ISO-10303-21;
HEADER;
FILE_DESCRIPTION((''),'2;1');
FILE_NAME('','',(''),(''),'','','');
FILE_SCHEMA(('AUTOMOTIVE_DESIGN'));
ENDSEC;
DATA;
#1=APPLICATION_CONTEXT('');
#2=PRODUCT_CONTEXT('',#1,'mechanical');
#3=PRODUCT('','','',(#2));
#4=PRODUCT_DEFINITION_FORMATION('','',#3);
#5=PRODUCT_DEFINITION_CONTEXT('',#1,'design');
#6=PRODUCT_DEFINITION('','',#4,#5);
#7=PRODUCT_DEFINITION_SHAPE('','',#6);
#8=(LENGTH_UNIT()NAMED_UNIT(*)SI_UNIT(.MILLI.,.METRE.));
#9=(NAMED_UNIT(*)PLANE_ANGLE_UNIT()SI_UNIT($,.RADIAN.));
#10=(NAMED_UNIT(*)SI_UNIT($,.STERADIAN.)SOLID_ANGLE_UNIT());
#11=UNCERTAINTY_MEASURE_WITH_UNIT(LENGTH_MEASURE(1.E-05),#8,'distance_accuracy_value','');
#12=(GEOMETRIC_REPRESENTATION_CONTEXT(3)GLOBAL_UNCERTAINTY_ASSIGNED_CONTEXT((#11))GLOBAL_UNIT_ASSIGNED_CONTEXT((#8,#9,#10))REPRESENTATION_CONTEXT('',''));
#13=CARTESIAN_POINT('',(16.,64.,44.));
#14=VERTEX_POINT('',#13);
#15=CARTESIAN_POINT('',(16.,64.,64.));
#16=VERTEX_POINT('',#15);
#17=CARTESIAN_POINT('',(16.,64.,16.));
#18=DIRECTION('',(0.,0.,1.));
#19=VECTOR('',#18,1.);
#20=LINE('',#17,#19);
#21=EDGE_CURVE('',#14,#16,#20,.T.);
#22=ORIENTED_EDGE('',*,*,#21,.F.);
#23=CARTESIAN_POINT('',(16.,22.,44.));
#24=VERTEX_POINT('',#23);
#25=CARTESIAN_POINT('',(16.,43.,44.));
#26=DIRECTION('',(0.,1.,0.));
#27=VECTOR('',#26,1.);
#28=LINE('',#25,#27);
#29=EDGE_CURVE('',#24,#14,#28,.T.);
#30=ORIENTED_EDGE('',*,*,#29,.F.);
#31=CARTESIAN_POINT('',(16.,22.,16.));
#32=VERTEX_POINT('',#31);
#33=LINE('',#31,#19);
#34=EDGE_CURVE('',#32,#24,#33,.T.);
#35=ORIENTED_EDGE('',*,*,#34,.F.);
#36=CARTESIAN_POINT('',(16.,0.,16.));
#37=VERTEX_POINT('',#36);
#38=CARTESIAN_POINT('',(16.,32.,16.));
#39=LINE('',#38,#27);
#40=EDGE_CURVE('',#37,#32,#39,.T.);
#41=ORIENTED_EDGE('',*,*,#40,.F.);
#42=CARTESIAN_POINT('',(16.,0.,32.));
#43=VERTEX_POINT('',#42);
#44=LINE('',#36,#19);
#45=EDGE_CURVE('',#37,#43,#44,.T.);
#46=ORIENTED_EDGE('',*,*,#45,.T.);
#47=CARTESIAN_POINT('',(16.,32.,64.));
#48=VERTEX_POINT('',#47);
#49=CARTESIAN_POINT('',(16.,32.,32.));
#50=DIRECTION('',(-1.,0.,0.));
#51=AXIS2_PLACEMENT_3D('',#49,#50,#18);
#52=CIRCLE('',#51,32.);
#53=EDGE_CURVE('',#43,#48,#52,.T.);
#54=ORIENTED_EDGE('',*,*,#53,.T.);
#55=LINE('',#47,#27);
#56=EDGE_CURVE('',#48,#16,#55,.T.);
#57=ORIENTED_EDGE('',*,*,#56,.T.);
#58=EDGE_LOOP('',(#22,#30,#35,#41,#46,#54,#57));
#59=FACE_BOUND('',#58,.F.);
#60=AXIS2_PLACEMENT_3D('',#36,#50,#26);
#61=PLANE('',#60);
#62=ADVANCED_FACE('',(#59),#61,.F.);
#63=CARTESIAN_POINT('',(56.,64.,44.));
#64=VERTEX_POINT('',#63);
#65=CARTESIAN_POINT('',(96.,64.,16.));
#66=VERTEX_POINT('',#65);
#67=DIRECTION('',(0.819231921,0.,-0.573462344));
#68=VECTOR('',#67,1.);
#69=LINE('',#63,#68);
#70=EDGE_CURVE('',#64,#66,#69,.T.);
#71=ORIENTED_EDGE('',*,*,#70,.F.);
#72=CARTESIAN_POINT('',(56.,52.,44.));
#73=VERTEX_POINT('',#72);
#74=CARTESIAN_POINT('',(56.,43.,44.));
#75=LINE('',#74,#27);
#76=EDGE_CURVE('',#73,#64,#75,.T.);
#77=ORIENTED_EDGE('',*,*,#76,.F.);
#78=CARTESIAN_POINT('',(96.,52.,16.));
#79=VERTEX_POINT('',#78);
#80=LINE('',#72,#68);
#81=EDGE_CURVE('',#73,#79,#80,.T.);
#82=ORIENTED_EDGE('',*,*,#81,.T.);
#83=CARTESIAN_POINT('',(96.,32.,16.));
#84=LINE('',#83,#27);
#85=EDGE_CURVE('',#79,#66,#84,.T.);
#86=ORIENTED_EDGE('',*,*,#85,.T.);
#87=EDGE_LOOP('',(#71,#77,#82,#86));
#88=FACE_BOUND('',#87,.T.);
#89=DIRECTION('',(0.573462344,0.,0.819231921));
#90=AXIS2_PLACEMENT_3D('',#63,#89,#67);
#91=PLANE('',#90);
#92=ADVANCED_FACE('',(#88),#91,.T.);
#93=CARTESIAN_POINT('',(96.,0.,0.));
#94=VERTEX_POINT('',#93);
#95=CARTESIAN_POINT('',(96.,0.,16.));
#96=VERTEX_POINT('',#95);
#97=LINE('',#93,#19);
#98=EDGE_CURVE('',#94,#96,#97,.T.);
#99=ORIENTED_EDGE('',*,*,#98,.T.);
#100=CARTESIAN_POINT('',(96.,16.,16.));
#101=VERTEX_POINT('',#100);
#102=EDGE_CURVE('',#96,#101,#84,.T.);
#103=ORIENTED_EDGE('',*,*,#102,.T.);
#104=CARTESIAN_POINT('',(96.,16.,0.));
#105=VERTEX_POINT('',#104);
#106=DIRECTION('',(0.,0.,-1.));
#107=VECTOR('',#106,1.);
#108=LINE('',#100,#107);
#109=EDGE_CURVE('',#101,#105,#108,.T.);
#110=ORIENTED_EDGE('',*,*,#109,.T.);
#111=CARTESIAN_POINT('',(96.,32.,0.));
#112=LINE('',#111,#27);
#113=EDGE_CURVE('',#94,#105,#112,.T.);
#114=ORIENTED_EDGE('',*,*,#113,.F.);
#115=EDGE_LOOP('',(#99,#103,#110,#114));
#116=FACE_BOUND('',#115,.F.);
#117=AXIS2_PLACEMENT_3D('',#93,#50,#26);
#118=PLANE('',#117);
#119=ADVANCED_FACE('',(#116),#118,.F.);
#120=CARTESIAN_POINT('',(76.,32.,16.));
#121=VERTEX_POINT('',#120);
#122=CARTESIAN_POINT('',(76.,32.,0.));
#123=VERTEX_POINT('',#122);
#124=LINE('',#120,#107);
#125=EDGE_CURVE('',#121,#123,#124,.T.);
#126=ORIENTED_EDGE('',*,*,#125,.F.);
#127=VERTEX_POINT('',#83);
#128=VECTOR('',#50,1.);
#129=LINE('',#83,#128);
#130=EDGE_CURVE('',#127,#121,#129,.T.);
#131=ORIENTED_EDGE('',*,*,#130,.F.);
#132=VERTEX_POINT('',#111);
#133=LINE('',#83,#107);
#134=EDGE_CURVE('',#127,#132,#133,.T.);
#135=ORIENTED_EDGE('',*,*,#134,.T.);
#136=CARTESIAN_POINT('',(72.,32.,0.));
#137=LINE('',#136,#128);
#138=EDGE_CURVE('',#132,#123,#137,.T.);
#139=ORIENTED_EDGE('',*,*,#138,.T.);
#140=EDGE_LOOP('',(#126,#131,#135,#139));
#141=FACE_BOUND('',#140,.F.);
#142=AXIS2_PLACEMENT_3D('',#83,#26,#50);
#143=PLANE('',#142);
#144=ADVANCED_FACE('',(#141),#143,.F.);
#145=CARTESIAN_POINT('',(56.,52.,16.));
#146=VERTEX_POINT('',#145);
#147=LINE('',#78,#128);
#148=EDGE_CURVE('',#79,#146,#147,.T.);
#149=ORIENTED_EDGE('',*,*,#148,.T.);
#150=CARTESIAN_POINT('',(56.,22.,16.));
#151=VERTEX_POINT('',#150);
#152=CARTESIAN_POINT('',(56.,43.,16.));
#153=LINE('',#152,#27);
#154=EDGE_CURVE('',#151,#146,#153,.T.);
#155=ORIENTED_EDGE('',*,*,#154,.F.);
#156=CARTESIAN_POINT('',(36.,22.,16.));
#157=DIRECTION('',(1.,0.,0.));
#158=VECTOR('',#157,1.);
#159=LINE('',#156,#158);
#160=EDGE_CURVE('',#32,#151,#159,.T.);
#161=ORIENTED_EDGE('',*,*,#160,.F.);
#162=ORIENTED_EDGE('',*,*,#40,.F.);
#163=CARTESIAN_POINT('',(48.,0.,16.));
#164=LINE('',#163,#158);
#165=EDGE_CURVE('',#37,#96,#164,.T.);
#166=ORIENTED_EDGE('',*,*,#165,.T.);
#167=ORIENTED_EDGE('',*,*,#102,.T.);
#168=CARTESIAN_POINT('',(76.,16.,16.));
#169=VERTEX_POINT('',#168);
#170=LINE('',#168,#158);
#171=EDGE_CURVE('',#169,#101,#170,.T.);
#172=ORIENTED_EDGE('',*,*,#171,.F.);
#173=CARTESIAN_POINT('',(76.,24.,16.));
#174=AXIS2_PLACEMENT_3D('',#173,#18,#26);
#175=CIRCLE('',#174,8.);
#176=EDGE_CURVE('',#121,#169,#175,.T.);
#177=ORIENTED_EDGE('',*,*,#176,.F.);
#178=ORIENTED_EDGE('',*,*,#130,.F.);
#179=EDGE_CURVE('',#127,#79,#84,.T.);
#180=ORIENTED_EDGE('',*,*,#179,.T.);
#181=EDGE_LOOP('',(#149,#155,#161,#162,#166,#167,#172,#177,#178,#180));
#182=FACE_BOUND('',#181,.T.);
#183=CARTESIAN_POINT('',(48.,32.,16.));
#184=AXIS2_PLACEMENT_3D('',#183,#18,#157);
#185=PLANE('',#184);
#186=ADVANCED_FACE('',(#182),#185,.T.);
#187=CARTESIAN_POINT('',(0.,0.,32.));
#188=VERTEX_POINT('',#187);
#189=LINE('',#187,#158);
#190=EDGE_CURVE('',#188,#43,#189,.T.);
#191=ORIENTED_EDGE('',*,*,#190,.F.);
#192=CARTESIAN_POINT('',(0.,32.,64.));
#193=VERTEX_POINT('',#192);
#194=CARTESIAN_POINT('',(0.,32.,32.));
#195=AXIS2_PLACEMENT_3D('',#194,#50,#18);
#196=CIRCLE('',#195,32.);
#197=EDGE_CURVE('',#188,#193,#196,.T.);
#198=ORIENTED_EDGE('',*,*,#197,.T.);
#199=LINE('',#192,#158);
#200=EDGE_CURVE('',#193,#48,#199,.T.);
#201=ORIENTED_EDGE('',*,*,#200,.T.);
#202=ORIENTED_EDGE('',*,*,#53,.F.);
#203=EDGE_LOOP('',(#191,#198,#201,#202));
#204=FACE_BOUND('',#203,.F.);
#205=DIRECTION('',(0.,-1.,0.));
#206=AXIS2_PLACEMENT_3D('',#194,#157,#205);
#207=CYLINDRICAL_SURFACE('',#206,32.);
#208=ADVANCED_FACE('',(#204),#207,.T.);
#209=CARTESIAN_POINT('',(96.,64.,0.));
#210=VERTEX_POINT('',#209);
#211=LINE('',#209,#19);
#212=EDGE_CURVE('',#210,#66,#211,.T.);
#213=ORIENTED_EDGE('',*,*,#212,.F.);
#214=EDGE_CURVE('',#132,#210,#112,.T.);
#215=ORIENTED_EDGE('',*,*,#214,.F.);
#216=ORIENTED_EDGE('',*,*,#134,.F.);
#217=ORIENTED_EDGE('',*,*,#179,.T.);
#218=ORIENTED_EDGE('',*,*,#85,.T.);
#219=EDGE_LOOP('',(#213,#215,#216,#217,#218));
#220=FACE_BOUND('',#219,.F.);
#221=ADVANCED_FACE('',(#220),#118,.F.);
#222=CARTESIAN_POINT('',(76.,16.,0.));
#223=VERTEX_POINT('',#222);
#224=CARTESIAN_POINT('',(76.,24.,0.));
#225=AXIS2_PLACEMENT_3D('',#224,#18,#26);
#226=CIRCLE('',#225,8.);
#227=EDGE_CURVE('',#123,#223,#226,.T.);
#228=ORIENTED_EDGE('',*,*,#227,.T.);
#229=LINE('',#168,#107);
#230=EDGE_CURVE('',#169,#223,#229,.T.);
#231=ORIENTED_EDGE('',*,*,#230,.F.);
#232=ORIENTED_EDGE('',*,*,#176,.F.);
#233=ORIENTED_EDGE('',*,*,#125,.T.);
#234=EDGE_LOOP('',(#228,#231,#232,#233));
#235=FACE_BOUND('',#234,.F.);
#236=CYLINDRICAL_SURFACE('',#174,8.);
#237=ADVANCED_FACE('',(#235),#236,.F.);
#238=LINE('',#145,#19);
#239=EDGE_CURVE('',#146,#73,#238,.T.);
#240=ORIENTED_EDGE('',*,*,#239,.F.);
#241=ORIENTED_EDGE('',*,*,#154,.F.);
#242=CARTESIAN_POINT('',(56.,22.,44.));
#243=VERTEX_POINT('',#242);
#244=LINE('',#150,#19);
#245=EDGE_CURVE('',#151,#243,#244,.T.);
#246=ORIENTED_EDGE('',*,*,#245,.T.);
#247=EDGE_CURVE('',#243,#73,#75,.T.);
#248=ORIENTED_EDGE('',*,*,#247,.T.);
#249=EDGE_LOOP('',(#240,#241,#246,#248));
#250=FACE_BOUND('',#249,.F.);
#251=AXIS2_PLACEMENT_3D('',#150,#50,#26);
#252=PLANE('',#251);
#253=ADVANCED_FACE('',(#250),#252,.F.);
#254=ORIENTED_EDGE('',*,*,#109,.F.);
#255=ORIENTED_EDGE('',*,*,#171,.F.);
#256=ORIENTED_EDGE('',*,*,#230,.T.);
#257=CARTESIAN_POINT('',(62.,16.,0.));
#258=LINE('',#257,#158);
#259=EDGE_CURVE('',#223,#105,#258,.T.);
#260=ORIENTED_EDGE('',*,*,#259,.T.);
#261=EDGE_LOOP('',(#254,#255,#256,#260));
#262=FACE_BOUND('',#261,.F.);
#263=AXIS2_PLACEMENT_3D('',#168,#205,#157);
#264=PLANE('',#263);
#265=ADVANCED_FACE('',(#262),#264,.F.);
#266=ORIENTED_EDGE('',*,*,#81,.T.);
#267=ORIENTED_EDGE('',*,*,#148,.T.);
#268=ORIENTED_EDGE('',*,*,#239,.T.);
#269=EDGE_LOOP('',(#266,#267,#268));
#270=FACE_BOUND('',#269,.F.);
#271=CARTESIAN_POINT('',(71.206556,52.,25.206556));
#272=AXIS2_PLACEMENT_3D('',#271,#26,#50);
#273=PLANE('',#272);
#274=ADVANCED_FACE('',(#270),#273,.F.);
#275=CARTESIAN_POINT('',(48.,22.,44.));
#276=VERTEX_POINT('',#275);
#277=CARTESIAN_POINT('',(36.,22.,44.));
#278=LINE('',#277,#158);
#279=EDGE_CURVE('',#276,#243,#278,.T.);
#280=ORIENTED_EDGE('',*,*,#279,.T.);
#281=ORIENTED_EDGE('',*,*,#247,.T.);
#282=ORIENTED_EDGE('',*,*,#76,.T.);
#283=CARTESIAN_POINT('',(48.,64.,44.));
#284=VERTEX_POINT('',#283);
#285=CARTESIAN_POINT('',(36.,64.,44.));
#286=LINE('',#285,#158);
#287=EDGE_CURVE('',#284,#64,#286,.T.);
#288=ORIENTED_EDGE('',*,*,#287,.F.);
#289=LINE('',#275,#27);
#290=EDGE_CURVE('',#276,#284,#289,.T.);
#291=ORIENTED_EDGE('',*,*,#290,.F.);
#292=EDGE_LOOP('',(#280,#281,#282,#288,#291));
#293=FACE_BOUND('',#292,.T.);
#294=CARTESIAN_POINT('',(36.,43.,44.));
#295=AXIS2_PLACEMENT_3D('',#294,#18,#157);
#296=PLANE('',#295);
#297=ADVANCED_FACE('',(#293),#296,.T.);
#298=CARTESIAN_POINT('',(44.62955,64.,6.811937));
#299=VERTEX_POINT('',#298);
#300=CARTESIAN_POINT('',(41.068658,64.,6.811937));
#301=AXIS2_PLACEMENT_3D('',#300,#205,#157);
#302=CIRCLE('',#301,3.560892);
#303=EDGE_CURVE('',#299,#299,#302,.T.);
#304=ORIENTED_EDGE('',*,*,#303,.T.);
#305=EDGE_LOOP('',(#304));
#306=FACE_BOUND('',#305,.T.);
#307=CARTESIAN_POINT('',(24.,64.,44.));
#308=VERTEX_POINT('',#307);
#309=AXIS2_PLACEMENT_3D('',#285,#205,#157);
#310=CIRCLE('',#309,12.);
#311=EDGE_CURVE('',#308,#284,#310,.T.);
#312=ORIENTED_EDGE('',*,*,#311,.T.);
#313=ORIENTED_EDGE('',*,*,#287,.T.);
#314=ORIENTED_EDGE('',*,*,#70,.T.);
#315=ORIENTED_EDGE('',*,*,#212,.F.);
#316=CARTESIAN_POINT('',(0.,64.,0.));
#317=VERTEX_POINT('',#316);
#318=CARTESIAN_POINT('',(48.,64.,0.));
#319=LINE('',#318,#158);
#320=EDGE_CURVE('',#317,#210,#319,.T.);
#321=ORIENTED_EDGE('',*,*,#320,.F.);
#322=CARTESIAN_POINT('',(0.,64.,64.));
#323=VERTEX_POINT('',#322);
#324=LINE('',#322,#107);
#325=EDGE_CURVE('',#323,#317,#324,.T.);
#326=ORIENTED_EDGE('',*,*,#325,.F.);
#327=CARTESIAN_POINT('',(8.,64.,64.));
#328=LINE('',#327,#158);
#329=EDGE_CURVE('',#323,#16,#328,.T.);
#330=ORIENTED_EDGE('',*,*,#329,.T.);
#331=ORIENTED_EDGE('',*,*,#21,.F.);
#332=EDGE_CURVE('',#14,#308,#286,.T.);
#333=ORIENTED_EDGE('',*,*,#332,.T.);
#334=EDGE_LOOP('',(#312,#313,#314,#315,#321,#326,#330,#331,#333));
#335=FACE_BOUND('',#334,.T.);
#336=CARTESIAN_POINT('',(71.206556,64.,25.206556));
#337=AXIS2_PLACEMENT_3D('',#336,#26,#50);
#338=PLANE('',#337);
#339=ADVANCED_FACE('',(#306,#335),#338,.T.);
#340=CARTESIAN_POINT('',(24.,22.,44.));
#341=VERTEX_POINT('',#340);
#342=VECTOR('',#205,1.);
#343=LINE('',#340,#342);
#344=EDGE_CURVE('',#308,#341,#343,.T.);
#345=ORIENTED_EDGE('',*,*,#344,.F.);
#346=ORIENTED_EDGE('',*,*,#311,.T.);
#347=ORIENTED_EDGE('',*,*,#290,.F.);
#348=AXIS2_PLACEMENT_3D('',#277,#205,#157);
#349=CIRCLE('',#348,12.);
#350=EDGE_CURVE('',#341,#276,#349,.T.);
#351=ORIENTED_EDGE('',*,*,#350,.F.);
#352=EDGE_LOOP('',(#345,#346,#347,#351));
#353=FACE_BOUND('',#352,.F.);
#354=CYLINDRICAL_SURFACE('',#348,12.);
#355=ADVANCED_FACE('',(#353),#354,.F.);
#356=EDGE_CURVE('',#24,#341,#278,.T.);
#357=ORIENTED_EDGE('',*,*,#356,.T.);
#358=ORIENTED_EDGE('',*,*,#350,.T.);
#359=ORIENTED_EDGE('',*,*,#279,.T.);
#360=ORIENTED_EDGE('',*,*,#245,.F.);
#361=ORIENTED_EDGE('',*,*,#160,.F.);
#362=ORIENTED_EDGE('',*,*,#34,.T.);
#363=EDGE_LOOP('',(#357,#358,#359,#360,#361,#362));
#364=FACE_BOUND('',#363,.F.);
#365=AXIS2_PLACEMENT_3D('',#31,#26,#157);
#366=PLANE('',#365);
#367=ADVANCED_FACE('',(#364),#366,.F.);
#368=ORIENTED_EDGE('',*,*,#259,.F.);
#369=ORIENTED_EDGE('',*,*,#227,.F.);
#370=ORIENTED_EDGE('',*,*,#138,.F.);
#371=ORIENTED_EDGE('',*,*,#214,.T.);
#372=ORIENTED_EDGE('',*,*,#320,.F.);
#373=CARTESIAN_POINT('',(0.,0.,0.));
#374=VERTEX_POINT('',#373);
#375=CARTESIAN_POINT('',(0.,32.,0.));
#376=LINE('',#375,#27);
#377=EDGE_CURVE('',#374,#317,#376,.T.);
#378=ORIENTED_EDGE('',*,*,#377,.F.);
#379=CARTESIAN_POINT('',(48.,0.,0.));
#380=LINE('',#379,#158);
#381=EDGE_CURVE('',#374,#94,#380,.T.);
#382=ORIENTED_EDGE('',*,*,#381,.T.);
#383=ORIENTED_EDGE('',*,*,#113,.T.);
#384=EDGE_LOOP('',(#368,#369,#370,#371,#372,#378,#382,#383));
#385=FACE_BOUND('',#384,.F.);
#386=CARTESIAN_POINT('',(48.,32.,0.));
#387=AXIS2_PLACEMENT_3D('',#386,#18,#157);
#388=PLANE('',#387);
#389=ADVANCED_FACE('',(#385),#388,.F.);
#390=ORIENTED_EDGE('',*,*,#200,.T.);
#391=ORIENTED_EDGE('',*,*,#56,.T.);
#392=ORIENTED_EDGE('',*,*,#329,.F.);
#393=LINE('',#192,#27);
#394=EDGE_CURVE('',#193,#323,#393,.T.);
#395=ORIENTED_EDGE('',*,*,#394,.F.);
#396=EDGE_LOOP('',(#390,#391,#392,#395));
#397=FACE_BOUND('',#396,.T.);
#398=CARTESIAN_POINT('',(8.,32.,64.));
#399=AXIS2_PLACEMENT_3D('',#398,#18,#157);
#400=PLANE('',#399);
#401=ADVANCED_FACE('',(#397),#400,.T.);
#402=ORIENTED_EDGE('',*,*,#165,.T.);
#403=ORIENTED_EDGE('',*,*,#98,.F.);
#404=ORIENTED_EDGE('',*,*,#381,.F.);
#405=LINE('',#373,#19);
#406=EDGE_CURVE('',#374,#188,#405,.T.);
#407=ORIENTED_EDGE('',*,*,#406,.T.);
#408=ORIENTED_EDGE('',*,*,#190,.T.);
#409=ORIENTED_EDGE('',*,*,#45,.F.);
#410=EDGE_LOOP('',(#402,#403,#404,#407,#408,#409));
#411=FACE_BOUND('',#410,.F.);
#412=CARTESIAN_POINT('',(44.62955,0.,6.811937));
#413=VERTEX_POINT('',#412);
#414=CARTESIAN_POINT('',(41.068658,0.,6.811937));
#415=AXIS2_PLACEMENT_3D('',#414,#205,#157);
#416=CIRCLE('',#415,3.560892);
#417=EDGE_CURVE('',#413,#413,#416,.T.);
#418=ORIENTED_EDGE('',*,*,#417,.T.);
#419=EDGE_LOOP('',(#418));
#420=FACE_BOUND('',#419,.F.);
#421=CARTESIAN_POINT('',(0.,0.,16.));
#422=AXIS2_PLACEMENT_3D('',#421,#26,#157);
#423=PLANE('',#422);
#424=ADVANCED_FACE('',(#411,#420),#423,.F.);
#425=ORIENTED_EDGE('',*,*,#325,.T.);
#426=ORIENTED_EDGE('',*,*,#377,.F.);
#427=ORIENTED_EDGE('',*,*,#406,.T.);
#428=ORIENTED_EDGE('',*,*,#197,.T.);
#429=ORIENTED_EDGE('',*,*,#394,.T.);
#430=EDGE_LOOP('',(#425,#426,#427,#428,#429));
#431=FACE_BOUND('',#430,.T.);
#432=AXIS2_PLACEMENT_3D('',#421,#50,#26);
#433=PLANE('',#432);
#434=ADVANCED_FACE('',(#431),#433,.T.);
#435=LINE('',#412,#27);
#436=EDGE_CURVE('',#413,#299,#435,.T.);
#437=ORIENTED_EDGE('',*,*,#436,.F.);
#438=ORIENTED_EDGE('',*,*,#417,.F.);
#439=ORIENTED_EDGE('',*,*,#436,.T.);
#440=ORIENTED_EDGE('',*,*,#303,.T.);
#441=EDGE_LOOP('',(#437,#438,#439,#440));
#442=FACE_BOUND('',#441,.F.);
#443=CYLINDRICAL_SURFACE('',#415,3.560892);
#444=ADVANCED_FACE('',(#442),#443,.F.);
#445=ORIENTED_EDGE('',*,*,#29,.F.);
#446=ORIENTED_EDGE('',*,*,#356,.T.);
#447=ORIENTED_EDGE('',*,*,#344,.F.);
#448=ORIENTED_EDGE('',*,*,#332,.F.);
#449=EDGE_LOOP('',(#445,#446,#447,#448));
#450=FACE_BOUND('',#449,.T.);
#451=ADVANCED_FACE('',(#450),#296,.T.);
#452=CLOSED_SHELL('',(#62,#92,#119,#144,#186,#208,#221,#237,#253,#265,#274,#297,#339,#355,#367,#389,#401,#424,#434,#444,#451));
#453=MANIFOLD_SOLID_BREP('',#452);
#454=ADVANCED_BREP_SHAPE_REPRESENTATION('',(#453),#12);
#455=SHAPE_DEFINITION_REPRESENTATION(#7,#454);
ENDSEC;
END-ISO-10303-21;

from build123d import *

# Parameters (mm, degrees)
F0_W      = 96
F0_H      = 64
F1_DEPTH  = 16
F3_DEPTH  = 16.001
F4_W      = 16
F4_H      = 64
F5_DEPTH  = 48
F6_R      = 32
F7_W      = 40
F7_H      = 42
F8_DEPTH  = 28
F10_DEPTH = 42.001
F12_DEPTH = 12
F13_R     = 3.560892
F14_DEPTH = 64.001


with BuildPart() as f1:
    # F0 (on Top) → F1 (new body)
    with BuildSketch(Plane.XY):
        with Locations((48, 32)):
            Rectangle(F0_W, F0_H)
    extrude(amount=F1_DEPTH)

    # F2 (on face) → F3 (cut, through all)
    with BuildSketch(Plane.XY.offset(16)):
        with BuildLine():
            ThreePointArc((76, 32), (68, 24), (76, 16))
            Line((76, 16), (96, 16))
            Line((96, 16), (96, 32))
            Line((96, 32), (76, 32))
        make_face()
    extrude(amount=-F3_DEPTH, mode=Mode.SUBTRACT)

    # F4 (on face) → F5 (join)
    with BuildSketch(Plane.XY.offset(16)):
        with Locations((8, 32)):
            Rectangle(F4_W, F4_H)
    extrude(amount=F5_DEPTH)

    # F6
    f6_edges = [f1.edges().sort_by_distance(p)[0] for p in [
        (8, 0, 64),
    ]]
    fillet(f6_edges, radius=F6_R)

    # F7 (on face) → F8 (join)
    with BuildSketch(Plane.XY.offset(16)):
        with Locations((36, 43)):
            Rectangle(F7_W, F7_H)
    extrude(amount=F8_DEPTH)

    # F9 (on face) → F10 (cut, through all)
    with BuildSketch(Plane.XZ.offset(-22)):
        with BuildLine():
            ThreePointArc((24, 44), (36, 32), (48, 44))
            Line((48, 44), (24, 44))
        make_face()
        with BuildLine():
            Line((24, 44), (48, 44))
            ThreePointArc((48, 44), (36, 56), (24, 44))
        make_face()
    extrude(amount=-F10_DEPTH, mode=Mode.SUBTRACT)

    # F11 (on face) → F12 (join)
    with BuildSketch(Plane(origin=(0, 64, 0), x_dir=(-1, 0, 0), z_dir=(0, 1, 0))):
        Polygon((-56, 16), (-56, 44), (-96, 16), align=None)
    extrude(amount=-F12_DEPTH)

    # F13 (on face) → F14 (cut, through all)
    with BuildSketch(Plane.XZ):
        with Locations((41.068658, 6.811937)):
            Circle(F13_R)
    extrude(amount=-F14_DEPTH, mode=Mode.SUBTRACT)


solid = f1.part
